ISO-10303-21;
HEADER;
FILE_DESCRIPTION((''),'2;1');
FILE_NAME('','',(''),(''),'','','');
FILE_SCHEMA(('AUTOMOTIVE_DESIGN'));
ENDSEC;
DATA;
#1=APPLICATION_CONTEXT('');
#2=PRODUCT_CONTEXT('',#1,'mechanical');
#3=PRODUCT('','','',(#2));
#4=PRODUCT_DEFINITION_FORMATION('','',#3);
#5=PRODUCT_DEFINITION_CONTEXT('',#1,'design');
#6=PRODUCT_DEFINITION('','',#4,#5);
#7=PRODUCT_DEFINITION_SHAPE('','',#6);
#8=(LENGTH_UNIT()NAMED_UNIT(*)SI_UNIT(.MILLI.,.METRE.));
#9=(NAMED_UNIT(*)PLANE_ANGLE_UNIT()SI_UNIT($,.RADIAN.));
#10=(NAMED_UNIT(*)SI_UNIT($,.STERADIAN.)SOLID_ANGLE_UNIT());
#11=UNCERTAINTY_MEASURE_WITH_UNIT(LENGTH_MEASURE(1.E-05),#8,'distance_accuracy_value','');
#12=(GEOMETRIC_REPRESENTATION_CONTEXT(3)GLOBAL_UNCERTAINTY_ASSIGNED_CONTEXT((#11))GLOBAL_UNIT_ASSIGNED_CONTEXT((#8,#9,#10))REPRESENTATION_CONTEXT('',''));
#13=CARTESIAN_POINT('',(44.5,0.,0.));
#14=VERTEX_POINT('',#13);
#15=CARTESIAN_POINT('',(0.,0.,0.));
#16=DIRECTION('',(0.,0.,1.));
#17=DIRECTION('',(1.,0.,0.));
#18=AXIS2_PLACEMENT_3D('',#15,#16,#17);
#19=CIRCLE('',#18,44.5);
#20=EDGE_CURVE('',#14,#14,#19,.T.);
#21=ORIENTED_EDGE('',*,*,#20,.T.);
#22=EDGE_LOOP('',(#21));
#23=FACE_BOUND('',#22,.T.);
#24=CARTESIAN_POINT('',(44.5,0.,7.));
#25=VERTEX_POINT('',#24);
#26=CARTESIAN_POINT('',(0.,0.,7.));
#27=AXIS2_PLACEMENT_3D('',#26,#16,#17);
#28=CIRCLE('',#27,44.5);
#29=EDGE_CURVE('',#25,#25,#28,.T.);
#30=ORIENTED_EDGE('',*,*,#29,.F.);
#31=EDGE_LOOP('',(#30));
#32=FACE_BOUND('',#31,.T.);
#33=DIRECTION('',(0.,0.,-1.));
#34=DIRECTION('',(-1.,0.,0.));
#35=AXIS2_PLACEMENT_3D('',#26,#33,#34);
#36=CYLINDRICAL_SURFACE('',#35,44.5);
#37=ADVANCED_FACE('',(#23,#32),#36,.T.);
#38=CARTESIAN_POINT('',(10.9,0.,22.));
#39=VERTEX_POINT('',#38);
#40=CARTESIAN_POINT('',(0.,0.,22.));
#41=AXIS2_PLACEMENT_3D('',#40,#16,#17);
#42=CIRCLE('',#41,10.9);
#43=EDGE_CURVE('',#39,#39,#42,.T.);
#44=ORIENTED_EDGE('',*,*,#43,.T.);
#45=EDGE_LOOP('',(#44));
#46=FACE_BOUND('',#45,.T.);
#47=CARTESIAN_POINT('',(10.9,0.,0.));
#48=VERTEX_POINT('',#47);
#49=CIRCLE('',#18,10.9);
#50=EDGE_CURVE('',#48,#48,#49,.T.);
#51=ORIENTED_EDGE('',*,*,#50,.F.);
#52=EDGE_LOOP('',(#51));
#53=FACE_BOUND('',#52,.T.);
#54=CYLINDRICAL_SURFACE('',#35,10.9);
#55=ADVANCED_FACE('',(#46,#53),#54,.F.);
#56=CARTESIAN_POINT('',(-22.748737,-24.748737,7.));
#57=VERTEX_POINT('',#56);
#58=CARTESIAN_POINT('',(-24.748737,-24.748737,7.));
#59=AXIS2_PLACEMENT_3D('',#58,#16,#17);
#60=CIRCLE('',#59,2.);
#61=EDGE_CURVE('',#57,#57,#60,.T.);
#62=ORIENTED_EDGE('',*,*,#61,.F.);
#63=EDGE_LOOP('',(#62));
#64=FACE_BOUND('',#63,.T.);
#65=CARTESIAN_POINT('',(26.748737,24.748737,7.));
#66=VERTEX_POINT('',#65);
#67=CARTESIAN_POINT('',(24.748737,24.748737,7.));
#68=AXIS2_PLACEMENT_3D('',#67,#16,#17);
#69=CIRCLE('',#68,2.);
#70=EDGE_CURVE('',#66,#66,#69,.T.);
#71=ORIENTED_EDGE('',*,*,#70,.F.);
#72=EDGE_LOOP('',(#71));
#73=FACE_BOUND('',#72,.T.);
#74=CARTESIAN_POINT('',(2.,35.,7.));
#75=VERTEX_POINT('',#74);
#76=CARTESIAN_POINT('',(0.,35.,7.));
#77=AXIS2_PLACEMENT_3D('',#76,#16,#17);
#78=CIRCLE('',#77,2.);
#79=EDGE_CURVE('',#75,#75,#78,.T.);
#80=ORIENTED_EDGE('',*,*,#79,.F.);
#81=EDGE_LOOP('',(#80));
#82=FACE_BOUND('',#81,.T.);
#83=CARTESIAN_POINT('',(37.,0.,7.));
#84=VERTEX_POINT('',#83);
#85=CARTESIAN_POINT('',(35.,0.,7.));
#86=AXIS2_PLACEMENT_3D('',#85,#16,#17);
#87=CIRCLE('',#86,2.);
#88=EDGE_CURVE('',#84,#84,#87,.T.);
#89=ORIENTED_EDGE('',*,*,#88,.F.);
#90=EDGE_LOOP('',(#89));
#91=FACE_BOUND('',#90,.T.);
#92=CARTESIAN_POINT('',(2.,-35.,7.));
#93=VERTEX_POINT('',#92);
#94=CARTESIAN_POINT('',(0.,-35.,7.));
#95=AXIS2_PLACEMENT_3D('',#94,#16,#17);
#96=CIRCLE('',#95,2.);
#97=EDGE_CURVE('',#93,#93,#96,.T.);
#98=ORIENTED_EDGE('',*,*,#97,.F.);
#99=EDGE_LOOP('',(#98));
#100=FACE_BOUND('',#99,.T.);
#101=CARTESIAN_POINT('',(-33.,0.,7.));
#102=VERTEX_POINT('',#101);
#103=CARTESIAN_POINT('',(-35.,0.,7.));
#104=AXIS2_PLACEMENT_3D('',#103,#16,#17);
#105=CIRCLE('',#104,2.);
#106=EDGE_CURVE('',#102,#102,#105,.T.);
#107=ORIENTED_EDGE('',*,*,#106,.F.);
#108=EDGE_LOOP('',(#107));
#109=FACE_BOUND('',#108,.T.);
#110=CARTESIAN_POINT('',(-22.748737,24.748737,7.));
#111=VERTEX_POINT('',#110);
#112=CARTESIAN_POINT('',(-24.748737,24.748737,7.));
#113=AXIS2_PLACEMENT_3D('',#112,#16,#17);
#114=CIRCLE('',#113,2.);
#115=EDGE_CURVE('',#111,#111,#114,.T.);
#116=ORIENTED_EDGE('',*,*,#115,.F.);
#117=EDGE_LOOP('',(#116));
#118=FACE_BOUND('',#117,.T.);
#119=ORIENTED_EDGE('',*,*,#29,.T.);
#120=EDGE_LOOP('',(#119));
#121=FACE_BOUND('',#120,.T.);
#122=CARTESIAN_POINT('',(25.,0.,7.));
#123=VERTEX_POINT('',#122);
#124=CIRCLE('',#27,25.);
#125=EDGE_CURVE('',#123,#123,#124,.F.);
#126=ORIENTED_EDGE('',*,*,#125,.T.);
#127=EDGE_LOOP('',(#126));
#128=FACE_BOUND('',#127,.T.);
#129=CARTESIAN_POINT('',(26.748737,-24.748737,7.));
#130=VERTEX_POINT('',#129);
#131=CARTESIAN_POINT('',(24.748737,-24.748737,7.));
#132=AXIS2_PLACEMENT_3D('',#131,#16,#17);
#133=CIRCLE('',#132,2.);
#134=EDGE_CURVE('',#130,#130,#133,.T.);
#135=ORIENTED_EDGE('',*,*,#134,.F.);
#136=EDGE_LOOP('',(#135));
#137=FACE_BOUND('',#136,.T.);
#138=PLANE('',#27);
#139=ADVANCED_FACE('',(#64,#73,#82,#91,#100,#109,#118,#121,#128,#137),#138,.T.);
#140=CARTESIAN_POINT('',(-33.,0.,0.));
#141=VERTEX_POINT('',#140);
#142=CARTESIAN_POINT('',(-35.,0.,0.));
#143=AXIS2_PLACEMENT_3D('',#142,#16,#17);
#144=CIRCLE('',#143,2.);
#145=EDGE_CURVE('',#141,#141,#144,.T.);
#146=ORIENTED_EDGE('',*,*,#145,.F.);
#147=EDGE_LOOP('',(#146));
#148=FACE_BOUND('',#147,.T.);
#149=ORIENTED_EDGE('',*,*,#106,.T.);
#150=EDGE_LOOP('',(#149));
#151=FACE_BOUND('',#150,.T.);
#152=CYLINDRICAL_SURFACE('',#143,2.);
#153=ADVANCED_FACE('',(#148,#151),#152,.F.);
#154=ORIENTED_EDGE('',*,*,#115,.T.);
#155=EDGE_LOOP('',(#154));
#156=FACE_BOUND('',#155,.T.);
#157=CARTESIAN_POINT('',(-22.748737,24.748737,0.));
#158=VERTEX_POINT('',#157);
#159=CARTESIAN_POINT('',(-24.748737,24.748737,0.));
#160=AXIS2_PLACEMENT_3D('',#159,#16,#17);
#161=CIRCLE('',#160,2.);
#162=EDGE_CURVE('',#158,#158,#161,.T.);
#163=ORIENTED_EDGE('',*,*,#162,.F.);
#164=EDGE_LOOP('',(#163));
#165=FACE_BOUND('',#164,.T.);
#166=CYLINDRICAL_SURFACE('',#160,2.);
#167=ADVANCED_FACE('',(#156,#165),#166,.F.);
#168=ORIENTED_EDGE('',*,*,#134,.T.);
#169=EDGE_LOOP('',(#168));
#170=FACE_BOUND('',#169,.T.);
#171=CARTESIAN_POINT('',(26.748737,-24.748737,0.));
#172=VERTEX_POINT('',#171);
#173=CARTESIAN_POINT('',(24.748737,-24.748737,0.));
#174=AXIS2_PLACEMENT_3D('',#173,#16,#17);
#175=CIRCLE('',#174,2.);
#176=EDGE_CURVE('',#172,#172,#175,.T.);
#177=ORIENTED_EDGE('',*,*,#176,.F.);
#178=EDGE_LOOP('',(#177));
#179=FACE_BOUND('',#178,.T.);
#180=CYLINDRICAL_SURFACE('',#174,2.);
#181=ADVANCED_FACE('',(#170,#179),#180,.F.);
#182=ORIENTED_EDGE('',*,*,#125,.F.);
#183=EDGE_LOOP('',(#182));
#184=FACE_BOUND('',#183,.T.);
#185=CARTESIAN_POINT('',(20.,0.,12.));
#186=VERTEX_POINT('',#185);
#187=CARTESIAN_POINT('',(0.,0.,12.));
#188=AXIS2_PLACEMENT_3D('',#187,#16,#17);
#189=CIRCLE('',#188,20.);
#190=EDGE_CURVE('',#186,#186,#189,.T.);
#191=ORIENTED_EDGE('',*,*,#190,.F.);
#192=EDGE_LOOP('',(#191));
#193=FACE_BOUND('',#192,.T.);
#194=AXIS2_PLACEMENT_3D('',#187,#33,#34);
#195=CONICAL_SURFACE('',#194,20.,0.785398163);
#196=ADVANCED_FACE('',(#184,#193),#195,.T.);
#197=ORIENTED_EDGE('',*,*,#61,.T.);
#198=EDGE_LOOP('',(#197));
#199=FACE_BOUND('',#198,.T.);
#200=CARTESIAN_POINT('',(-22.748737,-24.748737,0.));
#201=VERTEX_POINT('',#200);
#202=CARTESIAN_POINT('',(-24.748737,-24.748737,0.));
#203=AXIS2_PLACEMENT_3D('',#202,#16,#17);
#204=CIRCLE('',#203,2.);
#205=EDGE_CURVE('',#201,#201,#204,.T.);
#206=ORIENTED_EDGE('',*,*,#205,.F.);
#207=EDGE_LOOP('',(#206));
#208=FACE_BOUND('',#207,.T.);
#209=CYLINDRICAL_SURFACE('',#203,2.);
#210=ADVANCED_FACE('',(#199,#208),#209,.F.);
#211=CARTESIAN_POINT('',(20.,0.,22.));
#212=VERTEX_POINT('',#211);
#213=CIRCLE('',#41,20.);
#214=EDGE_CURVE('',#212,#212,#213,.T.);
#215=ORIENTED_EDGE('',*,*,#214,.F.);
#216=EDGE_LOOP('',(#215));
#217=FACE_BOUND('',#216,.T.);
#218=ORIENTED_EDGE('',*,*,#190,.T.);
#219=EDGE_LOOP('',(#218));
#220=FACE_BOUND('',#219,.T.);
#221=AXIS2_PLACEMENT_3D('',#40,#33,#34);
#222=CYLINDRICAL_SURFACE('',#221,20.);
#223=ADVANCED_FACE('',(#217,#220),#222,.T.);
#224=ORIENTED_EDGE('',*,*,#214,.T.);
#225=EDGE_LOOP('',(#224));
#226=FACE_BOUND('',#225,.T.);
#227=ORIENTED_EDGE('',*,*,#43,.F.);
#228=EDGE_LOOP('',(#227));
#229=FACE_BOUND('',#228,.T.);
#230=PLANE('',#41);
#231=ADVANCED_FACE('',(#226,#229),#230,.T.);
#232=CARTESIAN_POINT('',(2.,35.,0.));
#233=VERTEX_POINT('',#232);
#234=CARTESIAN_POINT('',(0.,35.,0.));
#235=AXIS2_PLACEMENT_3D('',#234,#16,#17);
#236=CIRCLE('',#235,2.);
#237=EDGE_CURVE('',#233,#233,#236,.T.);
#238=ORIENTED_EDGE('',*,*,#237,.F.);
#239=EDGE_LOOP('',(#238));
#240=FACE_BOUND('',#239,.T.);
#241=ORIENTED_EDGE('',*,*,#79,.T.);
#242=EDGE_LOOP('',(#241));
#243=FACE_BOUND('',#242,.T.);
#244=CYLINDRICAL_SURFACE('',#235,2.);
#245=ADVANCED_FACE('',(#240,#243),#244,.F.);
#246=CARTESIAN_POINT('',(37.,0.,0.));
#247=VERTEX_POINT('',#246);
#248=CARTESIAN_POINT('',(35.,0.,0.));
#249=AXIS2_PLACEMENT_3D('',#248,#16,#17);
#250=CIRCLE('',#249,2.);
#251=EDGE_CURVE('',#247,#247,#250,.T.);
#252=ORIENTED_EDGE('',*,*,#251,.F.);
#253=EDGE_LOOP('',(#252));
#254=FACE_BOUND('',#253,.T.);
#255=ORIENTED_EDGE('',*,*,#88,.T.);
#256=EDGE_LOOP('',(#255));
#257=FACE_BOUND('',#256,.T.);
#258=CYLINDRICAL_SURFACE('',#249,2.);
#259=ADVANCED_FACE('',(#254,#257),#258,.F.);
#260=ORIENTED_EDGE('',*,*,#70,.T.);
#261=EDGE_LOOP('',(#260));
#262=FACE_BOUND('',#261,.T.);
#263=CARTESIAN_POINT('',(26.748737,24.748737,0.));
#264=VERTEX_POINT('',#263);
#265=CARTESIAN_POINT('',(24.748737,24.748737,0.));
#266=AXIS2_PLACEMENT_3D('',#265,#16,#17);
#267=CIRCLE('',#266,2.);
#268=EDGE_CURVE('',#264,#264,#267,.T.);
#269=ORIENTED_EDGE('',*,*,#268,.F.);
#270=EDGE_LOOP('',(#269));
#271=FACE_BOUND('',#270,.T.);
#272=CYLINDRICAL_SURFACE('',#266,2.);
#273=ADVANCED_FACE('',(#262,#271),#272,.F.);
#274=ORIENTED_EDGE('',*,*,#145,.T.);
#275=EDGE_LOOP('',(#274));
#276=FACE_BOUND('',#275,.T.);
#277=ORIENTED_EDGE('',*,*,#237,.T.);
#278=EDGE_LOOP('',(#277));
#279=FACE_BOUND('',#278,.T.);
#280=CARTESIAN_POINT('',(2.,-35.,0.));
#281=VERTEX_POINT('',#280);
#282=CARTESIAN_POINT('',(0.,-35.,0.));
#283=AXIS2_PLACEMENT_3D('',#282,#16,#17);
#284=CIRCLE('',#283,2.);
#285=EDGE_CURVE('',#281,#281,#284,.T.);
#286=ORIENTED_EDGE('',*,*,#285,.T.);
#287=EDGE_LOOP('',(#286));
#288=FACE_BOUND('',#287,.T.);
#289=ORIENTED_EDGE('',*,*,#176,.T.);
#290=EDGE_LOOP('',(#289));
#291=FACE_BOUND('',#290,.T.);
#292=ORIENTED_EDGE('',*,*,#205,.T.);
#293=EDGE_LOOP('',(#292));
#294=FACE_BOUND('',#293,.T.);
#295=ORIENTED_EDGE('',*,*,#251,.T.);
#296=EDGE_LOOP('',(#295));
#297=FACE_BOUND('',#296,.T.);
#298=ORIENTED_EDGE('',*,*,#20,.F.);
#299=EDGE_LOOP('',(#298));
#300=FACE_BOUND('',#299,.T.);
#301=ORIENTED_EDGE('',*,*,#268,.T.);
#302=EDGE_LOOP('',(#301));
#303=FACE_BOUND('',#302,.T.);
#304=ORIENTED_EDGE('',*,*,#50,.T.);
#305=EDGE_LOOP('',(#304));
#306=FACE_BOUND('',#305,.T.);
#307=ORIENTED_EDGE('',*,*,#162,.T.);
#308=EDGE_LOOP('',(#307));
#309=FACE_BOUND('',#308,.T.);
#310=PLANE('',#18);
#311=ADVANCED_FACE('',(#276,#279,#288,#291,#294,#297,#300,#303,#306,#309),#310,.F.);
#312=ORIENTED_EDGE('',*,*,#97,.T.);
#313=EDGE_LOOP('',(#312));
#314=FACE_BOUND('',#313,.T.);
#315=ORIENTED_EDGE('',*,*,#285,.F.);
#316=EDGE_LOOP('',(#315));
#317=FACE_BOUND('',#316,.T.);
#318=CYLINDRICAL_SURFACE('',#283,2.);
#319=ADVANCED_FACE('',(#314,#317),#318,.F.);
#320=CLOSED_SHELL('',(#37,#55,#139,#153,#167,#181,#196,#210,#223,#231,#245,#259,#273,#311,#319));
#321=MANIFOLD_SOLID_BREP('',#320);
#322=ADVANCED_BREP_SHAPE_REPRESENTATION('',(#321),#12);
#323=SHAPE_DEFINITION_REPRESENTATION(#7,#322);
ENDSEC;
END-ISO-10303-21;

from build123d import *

# Parameters (mm, degrees)
SKETCH_1_R          = 44.5
SKETCH_1_R_2        = 10.9
EXTRUDE_1_DEPTH     = 7
SKETCH_2_R          = 20
SKETCH_2_R_2        = 10.9
EXTRUDE_2_DEPTH     = 15
SKETCH_3_R          = 2
CUT_EXTRUDE_3_DEPTH = 65.695440334
CHAMFER_1_SIZE      = 5


with BuildPart() as part:
    # Эскиз1 → Вытянуть1 (new body)
    with BuildSketch(Plane.XY):
        Circle(SKETCH_1_R)
        Circle(SKETCH_1_R_2, mode=Mode.SUBTRACT)
    extrude(amount=EXTRUDE_1_DEPTH)

    # Эскиз2 → Вытянуть2 (add)
    with BuildSketch(Plane.XY.offset(7)):
        Circle(SKETCH_2_R)
        Circle(SKETCH_2_R_2, mode=Mode.SUBTRACT)
    extrude(amount=EXTRUDE_2_DEPTH)

    # Эскиз3 → Вытянуть3 (cut, through all)
    with BuildSketch(Plane.XY.offset(7)):
        with Locations((0, 35)):
            Circle(SKETCH_3_R)
        with Locations((24.748737342, 24.748737342)):
            Circle(SKETCH_3_R)
        with Locations((35, 0)):
            Circle(SKETCH_3_R)
        with Locations((24.748737342, -24.748737342)):
            Circle(SKETCH_3_R)
        with Locations((0, -35)):
            Circle(SKETCH_3_R)
        with Locations((-24.748737342, -24.748737342)):
            Circle(SKETCH_3_R)
        with Locations((-35, 0)):
            Circle(SKETCH_3_R)
        with Locations((-24.748737342, 24.748737342)):
            Circle(SKETCH_3_R)
    extrude(amount=-CUT_EXTRUDE_3_DEPTH, mode=Mode.SUBTRACT)

    # Фаска1
    chamfer_1_edges = [part.edges().sort_by_distance(p)[0] for p in [
        (-20, 0, 7),
    ]]
    chamfer(chamfer_1_edges, length=CHAMFER_1_SIZE)


solid = part.part
